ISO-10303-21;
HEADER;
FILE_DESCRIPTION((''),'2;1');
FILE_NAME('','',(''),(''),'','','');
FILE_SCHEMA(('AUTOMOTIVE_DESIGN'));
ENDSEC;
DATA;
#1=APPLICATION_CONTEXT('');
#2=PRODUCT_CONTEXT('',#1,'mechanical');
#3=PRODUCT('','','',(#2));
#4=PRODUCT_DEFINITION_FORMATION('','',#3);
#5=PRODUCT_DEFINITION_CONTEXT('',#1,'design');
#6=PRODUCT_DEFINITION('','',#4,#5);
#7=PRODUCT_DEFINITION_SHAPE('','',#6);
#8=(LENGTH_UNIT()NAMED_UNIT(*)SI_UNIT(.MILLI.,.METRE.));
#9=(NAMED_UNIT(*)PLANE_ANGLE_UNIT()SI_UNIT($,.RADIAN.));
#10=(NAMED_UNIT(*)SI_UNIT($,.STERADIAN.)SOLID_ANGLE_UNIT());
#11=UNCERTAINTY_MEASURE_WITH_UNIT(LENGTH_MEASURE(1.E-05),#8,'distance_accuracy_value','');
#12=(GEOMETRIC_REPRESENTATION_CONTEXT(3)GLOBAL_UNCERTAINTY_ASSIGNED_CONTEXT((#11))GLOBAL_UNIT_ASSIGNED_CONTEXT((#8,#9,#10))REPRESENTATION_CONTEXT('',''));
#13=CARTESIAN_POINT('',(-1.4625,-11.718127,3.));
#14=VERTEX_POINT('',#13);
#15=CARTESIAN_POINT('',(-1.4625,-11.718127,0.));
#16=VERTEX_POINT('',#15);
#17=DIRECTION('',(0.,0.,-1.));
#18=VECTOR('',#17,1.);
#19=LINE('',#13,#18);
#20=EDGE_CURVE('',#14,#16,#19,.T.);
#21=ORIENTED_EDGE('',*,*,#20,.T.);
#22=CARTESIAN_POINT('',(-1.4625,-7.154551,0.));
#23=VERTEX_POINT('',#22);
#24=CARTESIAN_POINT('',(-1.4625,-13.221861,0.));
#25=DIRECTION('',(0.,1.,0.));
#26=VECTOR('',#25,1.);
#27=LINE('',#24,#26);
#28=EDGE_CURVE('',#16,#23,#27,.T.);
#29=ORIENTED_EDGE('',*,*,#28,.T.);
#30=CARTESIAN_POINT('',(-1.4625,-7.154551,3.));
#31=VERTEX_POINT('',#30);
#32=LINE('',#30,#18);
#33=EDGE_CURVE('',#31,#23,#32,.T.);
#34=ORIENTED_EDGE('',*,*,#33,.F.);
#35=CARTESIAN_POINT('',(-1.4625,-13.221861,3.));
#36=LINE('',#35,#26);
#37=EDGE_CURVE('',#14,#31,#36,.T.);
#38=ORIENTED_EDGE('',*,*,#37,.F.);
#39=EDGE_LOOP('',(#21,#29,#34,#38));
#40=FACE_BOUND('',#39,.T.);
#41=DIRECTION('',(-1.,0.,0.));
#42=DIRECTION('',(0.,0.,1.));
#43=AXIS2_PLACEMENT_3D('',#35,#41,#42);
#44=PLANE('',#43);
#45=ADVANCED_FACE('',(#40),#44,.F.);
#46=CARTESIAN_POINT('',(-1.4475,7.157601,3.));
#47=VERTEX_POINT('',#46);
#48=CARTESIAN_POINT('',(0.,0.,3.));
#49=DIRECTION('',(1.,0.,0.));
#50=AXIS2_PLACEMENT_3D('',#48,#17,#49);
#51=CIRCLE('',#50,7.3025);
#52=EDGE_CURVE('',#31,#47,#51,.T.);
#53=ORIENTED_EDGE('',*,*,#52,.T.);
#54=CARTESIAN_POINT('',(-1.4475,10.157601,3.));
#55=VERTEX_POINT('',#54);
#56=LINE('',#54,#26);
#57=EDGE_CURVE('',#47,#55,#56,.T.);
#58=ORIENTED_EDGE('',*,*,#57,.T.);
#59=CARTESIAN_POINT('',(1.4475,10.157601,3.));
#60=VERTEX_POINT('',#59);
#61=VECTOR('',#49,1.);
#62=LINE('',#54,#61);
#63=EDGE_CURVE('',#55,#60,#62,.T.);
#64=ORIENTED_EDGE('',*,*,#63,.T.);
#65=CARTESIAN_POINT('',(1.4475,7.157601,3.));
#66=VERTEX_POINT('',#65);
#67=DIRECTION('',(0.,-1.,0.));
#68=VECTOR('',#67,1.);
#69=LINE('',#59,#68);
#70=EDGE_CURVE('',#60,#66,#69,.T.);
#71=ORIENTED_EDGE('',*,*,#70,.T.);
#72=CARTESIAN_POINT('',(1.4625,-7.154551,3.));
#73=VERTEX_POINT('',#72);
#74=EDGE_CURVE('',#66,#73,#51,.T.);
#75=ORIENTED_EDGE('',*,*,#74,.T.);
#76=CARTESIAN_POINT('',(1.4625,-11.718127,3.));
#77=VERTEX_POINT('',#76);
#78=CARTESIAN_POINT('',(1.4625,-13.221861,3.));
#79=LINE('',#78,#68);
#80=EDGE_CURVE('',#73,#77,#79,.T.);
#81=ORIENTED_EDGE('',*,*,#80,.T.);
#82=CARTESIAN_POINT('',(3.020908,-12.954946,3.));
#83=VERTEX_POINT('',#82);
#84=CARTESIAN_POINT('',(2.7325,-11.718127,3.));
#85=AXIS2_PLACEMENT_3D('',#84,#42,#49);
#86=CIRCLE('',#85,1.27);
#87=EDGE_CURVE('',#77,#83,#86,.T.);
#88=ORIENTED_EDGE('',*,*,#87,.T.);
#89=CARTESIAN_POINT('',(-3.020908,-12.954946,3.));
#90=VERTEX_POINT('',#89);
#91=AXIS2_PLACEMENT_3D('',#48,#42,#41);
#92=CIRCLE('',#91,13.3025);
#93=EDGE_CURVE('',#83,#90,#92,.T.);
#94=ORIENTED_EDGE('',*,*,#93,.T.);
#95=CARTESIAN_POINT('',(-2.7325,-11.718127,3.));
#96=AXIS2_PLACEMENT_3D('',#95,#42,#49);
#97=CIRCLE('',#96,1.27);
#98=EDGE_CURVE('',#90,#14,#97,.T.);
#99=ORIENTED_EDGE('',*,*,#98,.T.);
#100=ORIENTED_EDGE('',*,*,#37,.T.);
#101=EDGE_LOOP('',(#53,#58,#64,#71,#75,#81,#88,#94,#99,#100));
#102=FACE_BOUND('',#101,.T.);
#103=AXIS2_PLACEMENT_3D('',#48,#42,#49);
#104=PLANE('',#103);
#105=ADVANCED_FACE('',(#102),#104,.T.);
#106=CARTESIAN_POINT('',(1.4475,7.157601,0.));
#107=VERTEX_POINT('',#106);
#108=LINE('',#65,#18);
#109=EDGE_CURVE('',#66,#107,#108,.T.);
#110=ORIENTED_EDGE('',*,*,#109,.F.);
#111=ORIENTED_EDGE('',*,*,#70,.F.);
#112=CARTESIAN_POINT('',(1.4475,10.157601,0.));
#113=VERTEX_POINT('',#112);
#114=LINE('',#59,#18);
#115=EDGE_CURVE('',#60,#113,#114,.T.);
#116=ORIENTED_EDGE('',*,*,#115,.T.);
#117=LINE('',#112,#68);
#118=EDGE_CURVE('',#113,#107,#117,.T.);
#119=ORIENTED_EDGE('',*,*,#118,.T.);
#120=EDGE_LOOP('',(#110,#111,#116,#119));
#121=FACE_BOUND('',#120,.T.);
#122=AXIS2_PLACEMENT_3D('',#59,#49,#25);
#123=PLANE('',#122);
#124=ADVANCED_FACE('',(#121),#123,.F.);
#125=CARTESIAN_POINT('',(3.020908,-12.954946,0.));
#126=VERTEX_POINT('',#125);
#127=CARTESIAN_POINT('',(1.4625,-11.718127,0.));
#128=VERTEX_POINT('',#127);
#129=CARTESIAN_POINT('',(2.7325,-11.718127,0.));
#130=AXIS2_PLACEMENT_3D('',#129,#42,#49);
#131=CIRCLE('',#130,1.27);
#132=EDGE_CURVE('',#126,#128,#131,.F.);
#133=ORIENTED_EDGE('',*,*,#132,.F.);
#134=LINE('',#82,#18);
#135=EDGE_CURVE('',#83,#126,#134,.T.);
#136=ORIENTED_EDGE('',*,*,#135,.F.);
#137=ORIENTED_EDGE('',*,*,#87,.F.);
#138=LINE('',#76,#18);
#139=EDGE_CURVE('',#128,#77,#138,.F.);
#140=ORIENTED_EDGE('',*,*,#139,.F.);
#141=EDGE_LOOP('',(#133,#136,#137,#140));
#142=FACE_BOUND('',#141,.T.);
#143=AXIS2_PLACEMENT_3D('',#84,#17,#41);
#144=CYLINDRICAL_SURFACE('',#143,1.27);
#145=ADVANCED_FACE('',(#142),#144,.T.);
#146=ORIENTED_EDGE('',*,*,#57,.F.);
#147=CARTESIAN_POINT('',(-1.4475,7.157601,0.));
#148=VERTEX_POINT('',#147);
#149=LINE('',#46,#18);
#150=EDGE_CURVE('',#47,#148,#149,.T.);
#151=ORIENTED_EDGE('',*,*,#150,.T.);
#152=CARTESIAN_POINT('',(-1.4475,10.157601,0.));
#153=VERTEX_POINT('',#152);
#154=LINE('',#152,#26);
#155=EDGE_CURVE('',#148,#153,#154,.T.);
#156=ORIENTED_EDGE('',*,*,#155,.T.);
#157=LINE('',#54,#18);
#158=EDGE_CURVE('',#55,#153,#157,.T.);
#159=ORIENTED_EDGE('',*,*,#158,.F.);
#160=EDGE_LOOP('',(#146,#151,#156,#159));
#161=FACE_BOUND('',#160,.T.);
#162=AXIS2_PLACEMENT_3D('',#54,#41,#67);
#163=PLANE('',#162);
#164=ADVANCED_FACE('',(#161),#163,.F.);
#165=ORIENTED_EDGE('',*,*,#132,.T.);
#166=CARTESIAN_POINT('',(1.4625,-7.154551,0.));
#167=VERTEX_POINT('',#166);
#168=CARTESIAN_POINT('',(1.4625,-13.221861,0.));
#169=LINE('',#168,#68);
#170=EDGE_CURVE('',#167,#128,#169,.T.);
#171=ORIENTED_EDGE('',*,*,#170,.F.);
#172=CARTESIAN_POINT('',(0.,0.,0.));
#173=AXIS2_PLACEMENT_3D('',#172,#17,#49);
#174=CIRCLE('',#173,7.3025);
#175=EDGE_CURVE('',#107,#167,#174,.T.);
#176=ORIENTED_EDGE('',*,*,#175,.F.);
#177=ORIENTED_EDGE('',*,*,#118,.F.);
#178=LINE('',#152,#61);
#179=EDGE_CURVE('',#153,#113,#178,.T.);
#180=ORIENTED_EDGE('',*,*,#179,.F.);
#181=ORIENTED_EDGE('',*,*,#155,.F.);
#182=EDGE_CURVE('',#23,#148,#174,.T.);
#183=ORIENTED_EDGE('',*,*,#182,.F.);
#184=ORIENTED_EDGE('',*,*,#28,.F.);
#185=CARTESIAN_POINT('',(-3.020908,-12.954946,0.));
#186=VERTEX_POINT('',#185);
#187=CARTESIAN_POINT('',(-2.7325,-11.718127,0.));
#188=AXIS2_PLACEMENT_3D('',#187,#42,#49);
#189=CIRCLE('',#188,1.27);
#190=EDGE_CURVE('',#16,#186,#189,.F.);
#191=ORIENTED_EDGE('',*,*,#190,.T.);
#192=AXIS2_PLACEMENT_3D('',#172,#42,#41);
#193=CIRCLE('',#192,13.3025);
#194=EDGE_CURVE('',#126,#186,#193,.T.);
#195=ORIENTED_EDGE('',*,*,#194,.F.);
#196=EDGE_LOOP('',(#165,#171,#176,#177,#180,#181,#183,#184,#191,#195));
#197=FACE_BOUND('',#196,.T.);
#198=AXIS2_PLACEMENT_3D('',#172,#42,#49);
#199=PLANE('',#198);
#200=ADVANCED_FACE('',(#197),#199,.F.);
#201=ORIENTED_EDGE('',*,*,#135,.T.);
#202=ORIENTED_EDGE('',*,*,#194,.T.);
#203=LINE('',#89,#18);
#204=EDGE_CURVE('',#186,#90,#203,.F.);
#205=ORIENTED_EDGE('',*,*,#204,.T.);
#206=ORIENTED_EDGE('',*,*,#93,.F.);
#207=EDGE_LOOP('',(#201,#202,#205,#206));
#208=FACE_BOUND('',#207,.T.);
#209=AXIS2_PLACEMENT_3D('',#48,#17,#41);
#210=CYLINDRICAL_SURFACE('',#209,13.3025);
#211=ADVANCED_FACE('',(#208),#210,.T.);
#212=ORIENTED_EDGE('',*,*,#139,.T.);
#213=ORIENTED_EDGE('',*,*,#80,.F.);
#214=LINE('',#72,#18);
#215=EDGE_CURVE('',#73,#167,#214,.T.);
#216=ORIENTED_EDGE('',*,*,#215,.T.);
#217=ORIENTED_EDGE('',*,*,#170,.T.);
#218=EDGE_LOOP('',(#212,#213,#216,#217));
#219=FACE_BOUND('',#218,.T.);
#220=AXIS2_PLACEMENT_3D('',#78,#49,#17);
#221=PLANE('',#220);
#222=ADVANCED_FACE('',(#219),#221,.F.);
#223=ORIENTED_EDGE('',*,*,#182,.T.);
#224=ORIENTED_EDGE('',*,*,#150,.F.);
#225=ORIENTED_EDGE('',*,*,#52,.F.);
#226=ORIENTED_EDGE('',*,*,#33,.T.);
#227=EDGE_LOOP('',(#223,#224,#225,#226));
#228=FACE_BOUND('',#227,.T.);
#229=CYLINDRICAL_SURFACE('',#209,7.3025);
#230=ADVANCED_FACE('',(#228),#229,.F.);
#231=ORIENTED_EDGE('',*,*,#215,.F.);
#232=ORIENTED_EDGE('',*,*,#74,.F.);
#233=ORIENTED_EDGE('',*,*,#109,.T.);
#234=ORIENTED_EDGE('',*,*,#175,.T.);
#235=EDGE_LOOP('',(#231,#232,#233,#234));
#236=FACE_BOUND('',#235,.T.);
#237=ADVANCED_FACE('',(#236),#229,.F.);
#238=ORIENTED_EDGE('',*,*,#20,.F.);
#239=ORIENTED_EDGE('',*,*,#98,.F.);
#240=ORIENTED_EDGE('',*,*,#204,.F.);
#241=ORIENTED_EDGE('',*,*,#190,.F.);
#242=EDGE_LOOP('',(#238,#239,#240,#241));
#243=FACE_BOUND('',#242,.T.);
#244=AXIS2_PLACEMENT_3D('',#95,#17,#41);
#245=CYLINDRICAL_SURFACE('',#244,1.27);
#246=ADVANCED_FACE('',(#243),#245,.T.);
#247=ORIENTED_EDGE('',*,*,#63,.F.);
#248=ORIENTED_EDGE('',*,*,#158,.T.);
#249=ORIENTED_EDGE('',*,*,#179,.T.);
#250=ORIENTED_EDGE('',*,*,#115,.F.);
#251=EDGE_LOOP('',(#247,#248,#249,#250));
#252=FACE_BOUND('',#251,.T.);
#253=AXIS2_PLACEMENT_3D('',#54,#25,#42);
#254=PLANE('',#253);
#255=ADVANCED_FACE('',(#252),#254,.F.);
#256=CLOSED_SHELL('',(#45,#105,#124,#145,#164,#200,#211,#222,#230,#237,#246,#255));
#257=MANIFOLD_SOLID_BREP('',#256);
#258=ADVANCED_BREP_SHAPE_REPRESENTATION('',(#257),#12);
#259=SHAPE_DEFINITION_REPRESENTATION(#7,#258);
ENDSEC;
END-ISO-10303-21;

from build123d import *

# Parameters (mm, degrees)
EXTRUDE_1_DEPTH = 3
FILLET_1_R      = 1.27


with BuildPart() as part:
    # 스케치1 → 보스-돌출1 (new body)
    with BuildSketch(Plane.XY):
        with BuildLine():
            Line((-1.4475, 10.157600855), (1.4475, 10.157600855))
            Line((1.4475, 10.157600855), (1.4475, 7.157600855))
            ThreePointArc((1.4475, 7.157600855), (7.302495989, 0.007653457), (1.4625, -7.154550999))
            Line((1.4625, -7.154550999), (1.4625, -13.221860686))
            ThreePointArc((1.4625, -13.221860686), (0, 13.3025), (-1.4625, -13.221860686))
            Line((-1.4625, -13.221860686), (-1.4625, -7.154550999))
            ThreePointArc((-1.4625, -7.154550999), (-7.302495989, 0.007653457), (-1.4475, 7.157600855))
            Line((-1.4475, 7.157600855), (-1.4475, 10.157600855))
        make_face()
    extrude(amount=EXTRUDE_1_DEPTH)

    # 필렛1
    fillet_1_edges = [part.edges().sort_by_distance(p)[0] for p in [
        (-1.4625, -13.221860686, 1.5),
        (1.4625, -13.221860686, 1.5),
    ]]
    fillet(fillet_1_edges, radius=FILLET_1_R)


solid = part.part
